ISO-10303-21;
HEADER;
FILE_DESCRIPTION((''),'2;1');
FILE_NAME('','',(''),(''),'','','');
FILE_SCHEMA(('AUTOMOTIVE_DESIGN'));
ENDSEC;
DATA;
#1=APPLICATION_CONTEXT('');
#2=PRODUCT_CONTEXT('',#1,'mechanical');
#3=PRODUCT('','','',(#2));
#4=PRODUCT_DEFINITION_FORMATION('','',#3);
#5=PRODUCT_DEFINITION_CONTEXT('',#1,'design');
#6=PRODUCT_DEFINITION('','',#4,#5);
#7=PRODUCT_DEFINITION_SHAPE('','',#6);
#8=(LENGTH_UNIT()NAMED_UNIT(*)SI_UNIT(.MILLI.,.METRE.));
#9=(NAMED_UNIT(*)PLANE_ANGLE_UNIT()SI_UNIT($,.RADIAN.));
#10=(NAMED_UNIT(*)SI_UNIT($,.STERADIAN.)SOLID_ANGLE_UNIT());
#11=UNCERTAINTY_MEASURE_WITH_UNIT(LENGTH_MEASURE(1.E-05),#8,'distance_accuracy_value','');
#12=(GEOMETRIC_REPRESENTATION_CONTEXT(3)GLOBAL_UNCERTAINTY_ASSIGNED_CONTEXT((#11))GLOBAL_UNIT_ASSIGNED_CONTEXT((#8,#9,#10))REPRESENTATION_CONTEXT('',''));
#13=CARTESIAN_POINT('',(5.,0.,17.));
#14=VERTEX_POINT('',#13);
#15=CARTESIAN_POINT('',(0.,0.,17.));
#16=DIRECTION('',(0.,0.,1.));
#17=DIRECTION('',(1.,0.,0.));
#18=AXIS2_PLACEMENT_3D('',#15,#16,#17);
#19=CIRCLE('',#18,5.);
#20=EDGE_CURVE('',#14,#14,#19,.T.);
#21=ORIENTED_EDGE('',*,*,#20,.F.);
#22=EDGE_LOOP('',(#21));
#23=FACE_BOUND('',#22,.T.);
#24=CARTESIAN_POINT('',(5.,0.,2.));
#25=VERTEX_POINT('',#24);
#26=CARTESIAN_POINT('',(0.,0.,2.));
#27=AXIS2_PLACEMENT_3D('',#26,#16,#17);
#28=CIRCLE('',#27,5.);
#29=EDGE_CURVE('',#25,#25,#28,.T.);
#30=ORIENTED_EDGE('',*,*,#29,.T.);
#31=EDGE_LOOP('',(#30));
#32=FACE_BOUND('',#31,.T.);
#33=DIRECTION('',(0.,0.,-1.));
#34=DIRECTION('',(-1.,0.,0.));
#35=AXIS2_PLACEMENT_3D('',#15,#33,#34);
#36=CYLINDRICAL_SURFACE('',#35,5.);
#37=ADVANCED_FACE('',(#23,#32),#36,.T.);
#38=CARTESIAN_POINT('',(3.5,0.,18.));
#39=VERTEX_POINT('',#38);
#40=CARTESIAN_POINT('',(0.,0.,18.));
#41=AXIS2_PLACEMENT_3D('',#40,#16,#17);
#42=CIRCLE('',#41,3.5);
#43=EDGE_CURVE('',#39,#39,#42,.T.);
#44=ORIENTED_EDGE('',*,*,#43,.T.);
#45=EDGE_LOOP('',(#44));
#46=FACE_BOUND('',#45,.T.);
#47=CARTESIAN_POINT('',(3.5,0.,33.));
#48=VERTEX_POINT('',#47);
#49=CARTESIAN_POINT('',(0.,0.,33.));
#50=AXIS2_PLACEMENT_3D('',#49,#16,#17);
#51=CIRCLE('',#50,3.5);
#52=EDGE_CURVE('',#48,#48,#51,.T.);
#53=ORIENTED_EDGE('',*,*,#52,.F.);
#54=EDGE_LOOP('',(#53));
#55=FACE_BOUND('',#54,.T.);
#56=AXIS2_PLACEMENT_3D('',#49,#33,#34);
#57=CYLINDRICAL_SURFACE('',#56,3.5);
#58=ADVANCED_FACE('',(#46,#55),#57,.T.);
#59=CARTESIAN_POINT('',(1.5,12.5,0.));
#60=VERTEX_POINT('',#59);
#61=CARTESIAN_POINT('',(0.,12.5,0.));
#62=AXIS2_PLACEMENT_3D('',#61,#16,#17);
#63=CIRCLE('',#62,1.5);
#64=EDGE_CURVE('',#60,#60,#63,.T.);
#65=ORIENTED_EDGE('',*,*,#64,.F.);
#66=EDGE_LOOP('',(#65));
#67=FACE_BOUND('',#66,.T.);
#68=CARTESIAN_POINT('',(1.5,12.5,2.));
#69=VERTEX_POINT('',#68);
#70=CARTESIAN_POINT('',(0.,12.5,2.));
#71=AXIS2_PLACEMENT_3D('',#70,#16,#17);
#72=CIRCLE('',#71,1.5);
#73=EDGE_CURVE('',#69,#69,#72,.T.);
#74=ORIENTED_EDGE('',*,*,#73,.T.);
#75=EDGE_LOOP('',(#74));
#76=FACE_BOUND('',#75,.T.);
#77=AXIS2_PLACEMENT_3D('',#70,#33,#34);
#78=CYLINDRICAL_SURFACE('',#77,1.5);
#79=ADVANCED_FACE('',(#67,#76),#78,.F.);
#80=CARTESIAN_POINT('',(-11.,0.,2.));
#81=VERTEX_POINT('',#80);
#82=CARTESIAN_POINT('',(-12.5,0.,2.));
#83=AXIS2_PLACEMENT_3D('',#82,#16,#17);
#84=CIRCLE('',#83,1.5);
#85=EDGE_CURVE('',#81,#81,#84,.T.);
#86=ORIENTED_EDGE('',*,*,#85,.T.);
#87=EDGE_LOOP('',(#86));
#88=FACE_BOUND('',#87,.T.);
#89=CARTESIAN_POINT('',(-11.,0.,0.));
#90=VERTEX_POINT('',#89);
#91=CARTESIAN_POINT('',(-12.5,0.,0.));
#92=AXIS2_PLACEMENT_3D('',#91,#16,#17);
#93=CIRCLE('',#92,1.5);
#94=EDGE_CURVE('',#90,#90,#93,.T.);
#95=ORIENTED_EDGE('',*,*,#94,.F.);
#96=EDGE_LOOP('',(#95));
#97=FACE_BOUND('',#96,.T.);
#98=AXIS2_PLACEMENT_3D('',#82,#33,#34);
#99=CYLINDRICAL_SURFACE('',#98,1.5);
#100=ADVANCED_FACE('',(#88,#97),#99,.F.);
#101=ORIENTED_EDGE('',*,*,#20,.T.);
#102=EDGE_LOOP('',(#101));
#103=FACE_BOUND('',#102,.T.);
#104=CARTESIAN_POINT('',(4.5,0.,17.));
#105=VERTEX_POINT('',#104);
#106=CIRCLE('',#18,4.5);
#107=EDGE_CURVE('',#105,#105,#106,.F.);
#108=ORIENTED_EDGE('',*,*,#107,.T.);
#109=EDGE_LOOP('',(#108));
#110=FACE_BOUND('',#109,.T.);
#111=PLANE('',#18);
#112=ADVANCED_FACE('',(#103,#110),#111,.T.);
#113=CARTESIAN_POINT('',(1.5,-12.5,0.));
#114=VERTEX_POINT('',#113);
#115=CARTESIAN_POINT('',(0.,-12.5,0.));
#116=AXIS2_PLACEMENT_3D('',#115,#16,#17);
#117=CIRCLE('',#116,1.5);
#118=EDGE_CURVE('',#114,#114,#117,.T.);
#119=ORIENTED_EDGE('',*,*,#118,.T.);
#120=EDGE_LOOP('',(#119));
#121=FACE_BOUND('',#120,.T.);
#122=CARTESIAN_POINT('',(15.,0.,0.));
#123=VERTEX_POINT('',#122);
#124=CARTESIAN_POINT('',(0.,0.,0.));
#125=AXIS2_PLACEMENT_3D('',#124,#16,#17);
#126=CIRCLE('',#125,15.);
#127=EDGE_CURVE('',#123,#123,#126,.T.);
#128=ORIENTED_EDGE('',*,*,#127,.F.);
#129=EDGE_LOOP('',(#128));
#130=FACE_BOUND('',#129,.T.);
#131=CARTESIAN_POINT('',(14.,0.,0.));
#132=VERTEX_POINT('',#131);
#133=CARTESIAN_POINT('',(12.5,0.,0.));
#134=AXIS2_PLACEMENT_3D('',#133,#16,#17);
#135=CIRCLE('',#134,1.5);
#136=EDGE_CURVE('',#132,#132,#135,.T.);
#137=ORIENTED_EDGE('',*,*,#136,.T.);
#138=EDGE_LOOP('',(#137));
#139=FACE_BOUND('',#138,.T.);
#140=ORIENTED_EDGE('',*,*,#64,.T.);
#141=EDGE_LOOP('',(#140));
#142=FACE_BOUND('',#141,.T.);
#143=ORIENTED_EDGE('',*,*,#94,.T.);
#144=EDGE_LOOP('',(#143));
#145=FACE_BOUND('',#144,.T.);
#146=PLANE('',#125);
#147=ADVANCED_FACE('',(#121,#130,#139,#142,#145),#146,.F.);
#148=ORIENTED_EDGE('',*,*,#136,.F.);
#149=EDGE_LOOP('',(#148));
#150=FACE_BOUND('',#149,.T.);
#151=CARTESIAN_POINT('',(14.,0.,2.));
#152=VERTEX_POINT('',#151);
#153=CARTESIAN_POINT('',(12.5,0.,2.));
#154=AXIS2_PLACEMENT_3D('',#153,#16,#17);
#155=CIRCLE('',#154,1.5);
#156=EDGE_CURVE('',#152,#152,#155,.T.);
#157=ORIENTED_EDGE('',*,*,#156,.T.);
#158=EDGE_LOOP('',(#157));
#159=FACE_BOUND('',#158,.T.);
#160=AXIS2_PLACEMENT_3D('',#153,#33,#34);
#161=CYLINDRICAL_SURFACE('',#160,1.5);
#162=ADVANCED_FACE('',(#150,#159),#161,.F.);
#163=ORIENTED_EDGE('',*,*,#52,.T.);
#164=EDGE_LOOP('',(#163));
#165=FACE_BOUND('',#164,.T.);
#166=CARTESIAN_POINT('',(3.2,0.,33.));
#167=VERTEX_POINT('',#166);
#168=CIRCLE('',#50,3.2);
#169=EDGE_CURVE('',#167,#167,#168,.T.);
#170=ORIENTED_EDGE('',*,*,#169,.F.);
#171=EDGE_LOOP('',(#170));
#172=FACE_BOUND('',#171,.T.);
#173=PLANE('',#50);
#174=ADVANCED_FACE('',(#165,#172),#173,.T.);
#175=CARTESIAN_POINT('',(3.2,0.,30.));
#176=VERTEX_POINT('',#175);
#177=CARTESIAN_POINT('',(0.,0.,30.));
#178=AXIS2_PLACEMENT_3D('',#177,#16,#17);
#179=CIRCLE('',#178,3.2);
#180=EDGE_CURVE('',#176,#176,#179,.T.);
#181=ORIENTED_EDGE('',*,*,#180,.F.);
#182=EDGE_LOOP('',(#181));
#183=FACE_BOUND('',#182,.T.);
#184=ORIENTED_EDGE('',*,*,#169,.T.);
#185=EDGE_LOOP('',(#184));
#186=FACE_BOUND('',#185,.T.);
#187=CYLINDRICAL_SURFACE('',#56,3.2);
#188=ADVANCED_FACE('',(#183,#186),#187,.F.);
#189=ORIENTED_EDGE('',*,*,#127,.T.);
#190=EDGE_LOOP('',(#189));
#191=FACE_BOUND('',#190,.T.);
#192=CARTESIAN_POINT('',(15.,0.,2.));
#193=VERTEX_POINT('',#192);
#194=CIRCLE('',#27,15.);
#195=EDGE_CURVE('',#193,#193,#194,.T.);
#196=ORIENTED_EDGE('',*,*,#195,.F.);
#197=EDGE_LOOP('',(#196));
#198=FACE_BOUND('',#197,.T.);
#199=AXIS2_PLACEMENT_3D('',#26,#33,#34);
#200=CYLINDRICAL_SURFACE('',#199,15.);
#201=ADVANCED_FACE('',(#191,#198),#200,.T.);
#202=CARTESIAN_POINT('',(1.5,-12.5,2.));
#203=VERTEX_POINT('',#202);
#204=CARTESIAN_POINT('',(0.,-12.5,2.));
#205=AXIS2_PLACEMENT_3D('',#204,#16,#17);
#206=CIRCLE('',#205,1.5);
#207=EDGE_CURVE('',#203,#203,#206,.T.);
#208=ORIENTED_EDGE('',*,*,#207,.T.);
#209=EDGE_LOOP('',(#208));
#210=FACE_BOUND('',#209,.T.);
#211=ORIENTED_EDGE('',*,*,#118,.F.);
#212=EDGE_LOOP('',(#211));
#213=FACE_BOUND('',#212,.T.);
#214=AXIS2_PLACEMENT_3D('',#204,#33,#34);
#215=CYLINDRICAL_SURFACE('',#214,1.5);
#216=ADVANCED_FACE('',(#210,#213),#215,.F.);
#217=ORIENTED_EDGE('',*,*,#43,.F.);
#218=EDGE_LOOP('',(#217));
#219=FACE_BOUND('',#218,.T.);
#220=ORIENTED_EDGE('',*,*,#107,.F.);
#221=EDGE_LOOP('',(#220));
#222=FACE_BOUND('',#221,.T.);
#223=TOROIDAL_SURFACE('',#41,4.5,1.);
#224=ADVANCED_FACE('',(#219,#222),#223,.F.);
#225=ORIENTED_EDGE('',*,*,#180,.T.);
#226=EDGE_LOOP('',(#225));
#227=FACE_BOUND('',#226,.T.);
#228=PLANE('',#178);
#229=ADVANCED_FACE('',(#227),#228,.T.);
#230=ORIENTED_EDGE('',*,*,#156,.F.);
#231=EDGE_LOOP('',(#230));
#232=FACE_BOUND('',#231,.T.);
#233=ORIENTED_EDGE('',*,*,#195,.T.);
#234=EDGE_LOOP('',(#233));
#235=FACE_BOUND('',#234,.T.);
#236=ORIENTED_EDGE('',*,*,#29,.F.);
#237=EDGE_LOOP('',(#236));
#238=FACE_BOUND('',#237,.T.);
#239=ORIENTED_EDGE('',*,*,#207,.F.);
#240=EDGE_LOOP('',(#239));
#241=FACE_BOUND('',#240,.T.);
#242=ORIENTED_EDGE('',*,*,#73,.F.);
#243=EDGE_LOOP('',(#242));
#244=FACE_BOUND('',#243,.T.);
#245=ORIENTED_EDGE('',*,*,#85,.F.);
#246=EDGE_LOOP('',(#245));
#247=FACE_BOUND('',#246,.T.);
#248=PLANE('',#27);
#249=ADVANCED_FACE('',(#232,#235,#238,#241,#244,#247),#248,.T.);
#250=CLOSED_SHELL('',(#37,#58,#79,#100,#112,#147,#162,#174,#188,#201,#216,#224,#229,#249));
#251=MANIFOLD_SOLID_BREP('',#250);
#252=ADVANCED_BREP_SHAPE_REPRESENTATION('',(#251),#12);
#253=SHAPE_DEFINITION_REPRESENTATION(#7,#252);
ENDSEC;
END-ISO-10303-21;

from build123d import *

# Parameters (mm, degrees)
SKETCH1_R           = 15
SKETCH1_R_2         = 1.5
SKETCH1_R_3         = 5
BOSS_EXTRUDE1_DEPTH = 2
SKETCH1_3_R         = 5
SKETCH1_3_R_2       = 3.5
SKETCH1_3_R_3       = 3.2
BOSS_EXTRUDE2_DEPTH = 17
BOSS_EXTRUDE3_START = 17
SKETCH1_4_R         = 3.5
SKETCH1_4_R_2       = 3.2
BOSS_EXTRUDE3_DEPTH = 16
SKETCH2_R           = 3.2
BOSS_EXTRUDE4_DEPTH = 13
FILLET1_R           = 1


with BuildPart() as part:
    # Sketch1 → Boss-Extrude1 (new body)
    with BuildSketch(Plane.XY):
        Circle(SKETCH1_R)
        with Locations((0, 12.5)):
            Circle(SKETCH1_R_2, mode=Mode.SUBTRACT)
        with Locations((12.5, 0)):
            Circle(SKETCH1_R_2, mode=Mode.SUBTRACT)
        with Locations((0, -12.5)):
            Circle(SKETCH1_R_2, mode=Mode.SUBTRACT)
        with Locations((-12.5, 0)):
            Circle(SKETCH1_R_2, mode=Mode.SUBTRACT)
        Circle(SKETCH1_R_3, mode=Mode.SUBTRACT)
    extrude(amount=BOSS_EXTRUDE1_DEPTH)

    # Sketch1<3> → Boss-Extrude2 (add)
    # profile 1 of 3: a face of its own
    with BuildSketch(Plane.XY):
        Circle(SKETCH1_3_R)
        Circle(SKETCH1_3_R_2, mode=Mode.SUBTRACT)
    # profile 2 of 3: a face of its own
    with BuildSketch(Plane.XY):
        Circle(SKETCH1_3_R_2)
        Circle(SKETCH1_3_R_3, mode=Mode.SUBTRACT)
    # profile 3 of 3: a face of its own
    with BuildSketch(Plane.XY):
        Circle(SKETCH1_3_R_3)
    extrude(amount=BOSS_EXTRUDE2_DEPTH)

    # Sketch1<4> → Boss-Extrude3 (add)
    with BuildSketch(Plane.XY.offset(BOSS_EXTRUDE3_START)):
        Circle(SKETCH1_4_R)
        Circle(SKETCH1_4_R_2, mode=Mode.SUBTRACT)
    extrude(amount=BOSS_EXTRUDE3_DEPTH)

    # Sketch2 → Boss-Extrude4 (add)
    with BuildSketch(Plane.XY.offset(17)):
        Circle(SKETCH2_R)
    extrude(amount=BOSS_EXTRUDE4_DEPTH)

    # Fillet1
    fillet1_edges = [part.edges().sort_by_distance(p)[0] for p in [
        (-3.5, 0, 17),
    ]]
    fillet(fillet1_edges, radius=FILLET1_R)


solid = part.part
